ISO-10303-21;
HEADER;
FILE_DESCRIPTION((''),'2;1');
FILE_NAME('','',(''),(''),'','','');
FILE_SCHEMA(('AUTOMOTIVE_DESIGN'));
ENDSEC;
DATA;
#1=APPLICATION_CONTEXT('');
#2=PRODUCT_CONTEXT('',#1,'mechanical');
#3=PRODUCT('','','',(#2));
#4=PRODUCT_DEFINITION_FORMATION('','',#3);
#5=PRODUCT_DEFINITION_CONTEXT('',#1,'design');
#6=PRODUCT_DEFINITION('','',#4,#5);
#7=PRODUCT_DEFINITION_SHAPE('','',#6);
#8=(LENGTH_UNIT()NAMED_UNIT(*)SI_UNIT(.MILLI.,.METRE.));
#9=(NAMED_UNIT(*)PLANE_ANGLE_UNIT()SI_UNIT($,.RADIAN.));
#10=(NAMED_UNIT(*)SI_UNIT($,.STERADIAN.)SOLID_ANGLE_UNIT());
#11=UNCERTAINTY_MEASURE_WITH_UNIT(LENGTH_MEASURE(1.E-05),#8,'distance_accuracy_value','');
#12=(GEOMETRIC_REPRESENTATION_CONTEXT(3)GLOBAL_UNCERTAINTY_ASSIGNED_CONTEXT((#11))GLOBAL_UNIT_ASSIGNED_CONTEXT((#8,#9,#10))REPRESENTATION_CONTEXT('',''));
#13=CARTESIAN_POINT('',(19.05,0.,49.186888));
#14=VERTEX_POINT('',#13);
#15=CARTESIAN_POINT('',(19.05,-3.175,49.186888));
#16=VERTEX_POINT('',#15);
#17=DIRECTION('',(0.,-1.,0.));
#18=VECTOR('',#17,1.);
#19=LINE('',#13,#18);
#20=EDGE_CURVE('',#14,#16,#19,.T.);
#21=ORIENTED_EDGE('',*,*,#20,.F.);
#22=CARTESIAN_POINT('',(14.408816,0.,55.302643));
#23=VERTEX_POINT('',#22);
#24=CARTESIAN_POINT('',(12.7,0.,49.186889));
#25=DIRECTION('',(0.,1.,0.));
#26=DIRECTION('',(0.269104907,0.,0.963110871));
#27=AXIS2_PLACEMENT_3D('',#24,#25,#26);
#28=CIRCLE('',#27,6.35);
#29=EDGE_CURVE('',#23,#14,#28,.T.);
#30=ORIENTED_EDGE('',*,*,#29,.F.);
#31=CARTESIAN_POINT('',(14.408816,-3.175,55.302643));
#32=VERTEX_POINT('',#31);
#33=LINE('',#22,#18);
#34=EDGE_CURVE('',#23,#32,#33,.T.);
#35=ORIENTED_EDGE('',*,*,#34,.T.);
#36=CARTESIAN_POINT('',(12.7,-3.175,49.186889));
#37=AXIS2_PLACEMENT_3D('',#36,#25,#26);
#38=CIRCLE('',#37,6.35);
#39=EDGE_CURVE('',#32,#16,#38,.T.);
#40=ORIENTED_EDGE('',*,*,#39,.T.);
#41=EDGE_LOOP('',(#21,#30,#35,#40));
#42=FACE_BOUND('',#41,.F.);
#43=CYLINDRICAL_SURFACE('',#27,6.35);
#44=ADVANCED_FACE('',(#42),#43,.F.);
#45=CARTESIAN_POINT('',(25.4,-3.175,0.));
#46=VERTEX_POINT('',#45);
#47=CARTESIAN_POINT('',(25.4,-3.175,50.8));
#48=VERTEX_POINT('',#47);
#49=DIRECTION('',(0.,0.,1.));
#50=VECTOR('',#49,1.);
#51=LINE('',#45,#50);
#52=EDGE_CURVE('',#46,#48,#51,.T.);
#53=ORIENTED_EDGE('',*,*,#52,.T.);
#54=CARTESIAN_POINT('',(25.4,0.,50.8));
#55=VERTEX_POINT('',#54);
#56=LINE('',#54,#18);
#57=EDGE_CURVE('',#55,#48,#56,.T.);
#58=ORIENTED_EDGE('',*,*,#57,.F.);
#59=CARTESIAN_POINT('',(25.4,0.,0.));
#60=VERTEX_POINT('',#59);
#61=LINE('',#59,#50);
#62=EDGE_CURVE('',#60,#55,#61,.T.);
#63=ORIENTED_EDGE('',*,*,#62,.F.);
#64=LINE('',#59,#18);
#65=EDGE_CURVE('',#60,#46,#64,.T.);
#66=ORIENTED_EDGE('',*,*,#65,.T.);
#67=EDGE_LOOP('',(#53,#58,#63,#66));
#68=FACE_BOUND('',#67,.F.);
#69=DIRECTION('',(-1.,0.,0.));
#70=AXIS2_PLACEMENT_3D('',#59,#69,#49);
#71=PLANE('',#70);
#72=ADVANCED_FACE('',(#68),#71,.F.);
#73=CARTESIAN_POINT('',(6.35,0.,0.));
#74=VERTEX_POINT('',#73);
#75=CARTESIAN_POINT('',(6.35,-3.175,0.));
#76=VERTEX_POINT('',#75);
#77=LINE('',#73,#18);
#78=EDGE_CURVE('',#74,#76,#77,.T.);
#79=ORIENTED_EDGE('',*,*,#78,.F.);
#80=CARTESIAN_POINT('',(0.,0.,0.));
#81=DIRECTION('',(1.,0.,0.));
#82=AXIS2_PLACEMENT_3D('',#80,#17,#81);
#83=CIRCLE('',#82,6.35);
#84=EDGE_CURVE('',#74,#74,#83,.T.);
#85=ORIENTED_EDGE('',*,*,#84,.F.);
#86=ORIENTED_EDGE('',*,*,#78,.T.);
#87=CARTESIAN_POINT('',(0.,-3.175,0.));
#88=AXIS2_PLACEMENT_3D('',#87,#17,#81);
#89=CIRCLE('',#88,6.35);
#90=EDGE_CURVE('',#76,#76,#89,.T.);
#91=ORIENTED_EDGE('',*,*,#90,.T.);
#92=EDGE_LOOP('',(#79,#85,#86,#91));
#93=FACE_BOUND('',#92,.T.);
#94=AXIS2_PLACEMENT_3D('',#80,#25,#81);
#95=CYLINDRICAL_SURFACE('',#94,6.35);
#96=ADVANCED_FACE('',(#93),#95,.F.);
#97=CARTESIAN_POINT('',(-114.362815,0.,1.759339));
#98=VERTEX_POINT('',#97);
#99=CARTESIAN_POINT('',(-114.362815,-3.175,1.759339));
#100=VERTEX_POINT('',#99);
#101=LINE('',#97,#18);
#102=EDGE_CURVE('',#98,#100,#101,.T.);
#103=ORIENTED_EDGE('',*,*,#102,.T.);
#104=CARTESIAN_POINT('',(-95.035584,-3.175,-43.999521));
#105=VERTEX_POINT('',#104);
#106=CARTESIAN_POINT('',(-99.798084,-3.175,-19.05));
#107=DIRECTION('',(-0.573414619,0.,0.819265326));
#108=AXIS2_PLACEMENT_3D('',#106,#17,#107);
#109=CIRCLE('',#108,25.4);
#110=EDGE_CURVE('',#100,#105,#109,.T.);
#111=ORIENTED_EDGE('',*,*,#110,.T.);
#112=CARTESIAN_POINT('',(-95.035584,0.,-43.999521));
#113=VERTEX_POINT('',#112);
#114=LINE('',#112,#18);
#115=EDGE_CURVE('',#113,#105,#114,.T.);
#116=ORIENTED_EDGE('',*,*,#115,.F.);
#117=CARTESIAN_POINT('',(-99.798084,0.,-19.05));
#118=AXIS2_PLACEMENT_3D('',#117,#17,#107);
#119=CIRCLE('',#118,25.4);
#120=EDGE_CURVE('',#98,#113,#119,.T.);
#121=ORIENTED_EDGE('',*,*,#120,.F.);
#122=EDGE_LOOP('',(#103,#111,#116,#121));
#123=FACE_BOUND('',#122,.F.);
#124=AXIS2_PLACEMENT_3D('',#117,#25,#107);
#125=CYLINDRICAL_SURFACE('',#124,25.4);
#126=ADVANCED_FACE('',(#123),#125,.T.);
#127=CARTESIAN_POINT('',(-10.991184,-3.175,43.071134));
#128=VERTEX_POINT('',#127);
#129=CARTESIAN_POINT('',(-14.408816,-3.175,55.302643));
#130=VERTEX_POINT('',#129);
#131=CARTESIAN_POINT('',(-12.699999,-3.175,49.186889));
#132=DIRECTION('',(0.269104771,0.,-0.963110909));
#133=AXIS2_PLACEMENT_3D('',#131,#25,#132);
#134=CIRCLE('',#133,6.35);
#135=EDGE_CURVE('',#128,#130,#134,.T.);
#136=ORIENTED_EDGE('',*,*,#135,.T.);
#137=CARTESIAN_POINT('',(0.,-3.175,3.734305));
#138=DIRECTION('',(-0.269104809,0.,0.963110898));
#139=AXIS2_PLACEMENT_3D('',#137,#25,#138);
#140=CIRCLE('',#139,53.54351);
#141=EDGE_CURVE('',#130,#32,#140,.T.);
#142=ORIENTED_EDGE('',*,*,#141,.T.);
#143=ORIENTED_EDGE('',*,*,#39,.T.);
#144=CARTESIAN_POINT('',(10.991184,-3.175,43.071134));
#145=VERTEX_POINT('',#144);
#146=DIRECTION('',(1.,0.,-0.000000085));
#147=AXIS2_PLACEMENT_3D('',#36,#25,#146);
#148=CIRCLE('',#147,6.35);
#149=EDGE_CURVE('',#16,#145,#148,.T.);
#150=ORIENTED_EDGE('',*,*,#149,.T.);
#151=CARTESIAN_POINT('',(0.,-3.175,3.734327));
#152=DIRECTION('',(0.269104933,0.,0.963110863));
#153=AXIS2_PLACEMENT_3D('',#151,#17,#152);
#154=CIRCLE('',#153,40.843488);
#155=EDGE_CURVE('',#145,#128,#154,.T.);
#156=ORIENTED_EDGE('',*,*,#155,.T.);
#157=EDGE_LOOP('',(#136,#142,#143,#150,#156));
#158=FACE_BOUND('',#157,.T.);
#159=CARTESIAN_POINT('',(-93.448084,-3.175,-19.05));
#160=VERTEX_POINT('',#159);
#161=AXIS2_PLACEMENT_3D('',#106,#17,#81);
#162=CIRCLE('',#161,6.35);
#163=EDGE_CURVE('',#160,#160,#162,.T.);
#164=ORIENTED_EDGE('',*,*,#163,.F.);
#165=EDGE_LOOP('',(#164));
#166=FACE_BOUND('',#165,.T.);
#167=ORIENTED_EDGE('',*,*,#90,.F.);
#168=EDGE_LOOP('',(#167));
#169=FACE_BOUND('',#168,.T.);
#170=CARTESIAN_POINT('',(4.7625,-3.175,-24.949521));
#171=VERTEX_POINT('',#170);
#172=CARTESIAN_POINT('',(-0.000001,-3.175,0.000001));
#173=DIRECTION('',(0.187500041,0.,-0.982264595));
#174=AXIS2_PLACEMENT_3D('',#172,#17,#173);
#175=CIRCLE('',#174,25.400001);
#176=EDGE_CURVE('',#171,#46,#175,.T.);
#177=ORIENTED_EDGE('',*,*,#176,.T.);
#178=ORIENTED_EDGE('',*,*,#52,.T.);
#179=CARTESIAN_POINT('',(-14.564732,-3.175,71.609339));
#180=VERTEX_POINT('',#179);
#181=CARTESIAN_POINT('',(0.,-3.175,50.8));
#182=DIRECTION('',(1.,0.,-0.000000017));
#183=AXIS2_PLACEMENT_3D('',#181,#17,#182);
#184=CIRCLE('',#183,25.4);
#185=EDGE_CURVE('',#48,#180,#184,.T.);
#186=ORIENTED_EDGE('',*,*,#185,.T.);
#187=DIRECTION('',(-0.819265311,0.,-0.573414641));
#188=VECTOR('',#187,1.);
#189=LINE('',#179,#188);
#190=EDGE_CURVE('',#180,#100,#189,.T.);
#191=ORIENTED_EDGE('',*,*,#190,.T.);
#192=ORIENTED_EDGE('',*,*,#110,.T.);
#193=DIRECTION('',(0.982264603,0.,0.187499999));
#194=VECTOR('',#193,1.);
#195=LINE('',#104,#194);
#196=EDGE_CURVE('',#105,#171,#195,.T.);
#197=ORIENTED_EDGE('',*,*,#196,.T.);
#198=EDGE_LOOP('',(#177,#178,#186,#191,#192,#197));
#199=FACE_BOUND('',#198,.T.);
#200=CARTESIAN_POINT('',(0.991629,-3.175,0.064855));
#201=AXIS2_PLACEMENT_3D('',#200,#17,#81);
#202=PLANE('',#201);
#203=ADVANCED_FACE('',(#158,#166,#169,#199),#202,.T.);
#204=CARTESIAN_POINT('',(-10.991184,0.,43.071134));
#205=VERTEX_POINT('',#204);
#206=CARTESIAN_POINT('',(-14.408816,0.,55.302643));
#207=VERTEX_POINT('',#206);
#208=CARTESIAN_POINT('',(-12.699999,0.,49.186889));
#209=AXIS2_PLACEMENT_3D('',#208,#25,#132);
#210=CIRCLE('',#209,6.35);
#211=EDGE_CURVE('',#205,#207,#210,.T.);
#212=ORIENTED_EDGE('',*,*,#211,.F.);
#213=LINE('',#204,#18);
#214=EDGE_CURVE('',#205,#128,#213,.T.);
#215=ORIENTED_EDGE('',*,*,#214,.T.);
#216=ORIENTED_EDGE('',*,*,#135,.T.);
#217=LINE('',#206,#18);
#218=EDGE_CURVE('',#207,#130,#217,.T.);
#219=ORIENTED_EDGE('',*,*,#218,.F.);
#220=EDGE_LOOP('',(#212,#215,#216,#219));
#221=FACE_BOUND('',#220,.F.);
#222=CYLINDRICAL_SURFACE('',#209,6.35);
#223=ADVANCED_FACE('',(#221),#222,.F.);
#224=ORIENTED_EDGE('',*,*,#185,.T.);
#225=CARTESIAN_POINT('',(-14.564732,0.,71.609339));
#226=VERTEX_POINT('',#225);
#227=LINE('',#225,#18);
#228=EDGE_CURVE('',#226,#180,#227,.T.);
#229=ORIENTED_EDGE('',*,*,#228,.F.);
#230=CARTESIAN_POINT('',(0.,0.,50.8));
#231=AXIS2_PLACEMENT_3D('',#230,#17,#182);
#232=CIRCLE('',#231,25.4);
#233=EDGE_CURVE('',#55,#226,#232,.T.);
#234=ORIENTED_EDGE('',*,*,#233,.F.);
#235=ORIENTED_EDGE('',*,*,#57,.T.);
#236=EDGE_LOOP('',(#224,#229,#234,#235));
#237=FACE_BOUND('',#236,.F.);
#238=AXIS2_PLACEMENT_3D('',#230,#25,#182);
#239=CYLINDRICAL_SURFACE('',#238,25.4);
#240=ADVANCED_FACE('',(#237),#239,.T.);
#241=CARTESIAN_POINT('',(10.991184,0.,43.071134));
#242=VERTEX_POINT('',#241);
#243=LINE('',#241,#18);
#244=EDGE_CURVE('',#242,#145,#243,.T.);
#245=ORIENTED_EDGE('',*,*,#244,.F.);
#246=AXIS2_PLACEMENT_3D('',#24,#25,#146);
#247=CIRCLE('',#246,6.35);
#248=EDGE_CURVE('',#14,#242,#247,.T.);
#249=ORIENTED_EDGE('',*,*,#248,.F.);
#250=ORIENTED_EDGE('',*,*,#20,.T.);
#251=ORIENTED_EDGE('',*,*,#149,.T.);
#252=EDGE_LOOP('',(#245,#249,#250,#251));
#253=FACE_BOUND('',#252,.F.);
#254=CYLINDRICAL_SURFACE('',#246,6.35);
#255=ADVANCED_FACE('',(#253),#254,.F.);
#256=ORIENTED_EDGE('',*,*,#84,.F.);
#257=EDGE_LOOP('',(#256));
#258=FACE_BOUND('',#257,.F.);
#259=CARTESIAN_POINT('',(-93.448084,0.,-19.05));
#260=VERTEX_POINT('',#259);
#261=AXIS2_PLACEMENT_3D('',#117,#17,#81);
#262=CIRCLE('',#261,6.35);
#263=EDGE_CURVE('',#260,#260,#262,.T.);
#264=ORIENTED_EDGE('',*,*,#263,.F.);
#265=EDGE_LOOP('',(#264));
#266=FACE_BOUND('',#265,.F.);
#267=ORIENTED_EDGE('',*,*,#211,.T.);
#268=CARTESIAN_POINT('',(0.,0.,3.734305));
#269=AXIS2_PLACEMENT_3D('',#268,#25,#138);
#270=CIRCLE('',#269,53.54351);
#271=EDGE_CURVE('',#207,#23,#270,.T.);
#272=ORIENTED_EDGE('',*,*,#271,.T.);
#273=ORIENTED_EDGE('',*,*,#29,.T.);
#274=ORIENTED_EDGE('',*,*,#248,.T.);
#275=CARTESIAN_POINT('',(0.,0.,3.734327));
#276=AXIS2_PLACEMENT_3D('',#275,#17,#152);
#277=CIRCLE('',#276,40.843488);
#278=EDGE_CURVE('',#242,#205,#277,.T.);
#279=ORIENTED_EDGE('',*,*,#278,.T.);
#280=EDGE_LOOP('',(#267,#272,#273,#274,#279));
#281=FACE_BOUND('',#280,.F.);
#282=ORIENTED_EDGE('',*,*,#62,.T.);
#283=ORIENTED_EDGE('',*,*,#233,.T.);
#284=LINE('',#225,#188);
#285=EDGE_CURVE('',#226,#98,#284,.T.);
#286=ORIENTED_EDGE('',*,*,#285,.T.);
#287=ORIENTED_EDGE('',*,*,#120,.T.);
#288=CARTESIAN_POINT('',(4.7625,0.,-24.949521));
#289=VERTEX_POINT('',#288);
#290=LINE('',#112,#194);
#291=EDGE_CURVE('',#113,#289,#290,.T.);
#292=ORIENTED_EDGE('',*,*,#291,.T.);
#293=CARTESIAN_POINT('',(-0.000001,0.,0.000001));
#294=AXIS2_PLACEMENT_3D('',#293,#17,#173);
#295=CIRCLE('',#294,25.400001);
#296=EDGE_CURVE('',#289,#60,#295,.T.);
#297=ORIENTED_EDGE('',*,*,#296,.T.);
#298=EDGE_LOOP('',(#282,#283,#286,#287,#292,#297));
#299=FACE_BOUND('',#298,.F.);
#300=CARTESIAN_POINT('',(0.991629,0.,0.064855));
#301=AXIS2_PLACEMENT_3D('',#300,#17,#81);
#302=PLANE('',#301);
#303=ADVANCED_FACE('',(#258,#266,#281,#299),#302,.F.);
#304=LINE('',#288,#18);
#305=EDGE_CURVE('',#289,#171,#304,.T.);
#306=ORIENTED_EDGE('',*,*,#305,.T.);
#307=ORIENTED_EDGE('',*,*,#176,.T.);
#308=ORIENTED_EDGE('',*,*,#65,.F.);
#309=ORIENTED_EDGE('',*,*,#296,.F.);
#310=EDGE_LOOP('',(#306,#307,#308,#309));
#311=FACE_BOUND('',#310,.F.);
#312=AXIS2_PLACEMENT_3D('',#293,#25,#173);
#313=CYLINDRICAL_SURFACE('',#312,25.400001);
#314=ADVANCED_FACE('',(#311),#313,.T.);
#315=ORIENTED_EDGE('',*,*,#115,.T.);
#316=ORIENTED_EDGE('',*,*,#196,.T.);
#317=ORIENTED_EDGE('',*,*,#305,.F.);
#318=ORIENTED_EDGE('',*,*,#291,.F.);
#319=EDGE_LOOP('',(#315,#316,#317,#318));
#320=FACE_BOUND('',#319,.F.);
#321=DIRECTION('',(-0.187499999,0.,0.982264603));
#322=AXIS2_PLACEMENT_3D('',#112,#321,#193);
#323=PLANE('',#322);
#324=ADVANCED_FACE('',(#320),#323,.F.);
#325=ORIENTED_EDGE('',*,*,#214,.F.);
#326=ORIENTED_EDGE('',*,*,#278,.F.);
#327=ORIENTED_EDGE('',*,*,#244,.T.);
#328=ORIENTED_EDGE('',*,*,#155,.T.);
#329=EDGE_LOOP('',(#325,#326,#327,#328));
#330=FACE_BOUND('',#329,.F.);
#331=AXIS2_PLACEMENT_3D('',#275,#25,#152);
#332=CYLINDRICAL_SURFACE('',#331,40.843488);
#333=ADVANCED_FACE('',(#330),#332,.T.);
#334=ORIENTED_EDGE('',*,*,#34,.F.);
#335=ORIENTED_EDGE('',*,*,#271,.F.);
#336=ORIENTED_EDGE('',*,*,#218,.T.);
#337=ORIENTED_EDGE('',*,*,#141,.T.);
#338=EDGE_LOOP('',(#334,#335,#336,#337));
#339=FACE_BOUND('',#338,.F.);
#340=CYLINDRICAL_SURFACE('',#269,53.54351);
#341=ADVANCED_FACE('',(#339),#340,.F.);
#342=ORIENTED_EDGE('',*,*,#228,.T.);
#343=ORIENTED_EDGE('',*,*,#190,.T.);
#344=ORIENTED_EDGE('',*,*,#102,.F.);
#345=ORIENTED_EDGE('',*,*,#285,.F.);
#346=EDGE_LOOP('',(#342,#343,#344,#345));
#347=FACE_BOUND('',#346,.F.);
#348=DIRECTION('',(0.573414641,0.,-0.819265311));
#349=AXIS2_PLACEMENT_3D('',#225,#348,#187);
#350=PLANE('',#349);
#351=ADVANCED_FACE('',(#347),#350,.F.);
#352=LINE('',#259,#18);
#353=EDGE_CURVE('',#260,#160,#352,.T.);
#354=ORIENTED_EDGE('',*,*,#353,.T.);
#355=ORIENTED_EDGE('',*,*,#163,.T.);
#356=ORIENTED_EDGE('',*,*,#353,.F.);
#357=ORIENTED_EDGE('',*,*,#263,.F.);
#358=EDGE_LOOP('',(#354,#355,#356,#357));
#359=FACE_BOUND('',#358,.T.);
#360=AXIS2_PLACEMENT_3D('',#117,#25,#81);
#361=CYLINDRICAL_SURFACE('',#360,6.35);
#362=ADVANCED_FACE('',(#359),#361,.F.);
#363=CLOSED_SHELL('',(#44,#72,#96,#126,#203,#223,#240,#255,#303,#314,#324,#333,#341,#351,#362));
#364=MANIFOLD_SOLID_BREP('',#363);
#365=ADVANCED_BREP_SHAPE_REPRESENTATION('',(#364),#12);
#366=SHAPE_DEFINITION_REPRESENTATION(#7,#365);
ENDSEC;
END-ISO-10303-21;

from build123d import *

# Parameters (mm, degrees)
F0_R     = 6.35
F1_DEPTH = 3.175


with BuildPart() as f1:
    # F0 (on Front) → F1 (new body)
    with BuildSketch(Plane.XZ):
        with BuildLine():
            ThreePointArc((0, 25.4), (-25.287129, -2.391879), (4.7625, -24.949521))
            ThreePointArc((4.7625, -24.949521), (19.572014, -16.189387), (25.4, 0))
            ThreePointArc((25.4, 0), (17.960512, 17.960512), (0, 25.4))
        make_face()
        Circle(F0_R, mode=Mode.SUBTRACT)
        with BuildLine():
            Line((-95.035584, -43.999521), (4.7625, -24.949521))
            ThreePointArc((4.7625, -24.949521), (-25.287129, -2.391879), (0, 25.4))
            ThreePointArc((0, 25.4), (-24.225165, 43.164465), (-14.564732, 71.609339))
            Line((-14.564732, 71.609339), (-114.362815, 1.759339))
            ThreePointArc((-114.362815, 1.759339), (-88.067444, 3.478917), (-74.398084, -19.05))
            ThreePointArc((-74.398084, -19.05), (-80.226069, -35.239387), (-95.035584, -43.999521))
        make_face()
        with BuildLine():
            ThreePointArc((0, 25.4), (17.960512, 17.960512), (25.4, 0))
            Line((25.4, 0), (25.4, 50.8))
            ThreePointArc((25.4, 50.8), (17.960512, 32.839488), (0, 25.4))
        make_face()
        with BuildLine():
            ThreePointArc((-14.564732, 71.609339), (-24.225165, 43.164465), (0, 25.4))
            ThreePointArc((0, 25.4), (17.960512, 32.839488), (25.4, 50.8))
            ThreePointArc((25.4, 50.8), (11.73064, 73.328917), (-14.564732, 71.609339))
        make_face()
        with BuildLine():
            ThreePointArc((-10.991184, 43.071134), (-18.815754, 47.478073), (-14.408816, 55.302643))
            ThreePointArc((-14.408816, 55.302643), (0, 57.277815), (14.408816, 55.302643))
            ThreePointArc((14.408816, 55.302643), (17.758334, 53.025607), (19.05, 49.186888))
            ThreePointArc((19.05, 49.186888), (16.538719, 44.128555), (10.991184, 43.071134))
            ThreePointArc((10.991184, 43.071134), (0, 44.577815), (-10.991184, 43.071134))
        make_face(mode=Mode.SUBTRACT)
        with BuildLine():
            ThreePointArc((-114.362815, 1.759339), (-123.196572, -28.932851), (-95.035584, -43.999521))
            ThreePointArc((-95.035584, -43.999521), (-80.226069, -35.239387), (-74.398084, -19.05))
            ThreePointArc((-74.398084, -19.05), (-88.067444, 3.478917), (-114.362815, 1.759339))
        make_face()
        with Locations((-99.798084, -19.05)):
            Circle(F0_R, mode=Mode.SUBTRACT)
    extrude(amount=F1_DEPTH)


solid = f1.part
